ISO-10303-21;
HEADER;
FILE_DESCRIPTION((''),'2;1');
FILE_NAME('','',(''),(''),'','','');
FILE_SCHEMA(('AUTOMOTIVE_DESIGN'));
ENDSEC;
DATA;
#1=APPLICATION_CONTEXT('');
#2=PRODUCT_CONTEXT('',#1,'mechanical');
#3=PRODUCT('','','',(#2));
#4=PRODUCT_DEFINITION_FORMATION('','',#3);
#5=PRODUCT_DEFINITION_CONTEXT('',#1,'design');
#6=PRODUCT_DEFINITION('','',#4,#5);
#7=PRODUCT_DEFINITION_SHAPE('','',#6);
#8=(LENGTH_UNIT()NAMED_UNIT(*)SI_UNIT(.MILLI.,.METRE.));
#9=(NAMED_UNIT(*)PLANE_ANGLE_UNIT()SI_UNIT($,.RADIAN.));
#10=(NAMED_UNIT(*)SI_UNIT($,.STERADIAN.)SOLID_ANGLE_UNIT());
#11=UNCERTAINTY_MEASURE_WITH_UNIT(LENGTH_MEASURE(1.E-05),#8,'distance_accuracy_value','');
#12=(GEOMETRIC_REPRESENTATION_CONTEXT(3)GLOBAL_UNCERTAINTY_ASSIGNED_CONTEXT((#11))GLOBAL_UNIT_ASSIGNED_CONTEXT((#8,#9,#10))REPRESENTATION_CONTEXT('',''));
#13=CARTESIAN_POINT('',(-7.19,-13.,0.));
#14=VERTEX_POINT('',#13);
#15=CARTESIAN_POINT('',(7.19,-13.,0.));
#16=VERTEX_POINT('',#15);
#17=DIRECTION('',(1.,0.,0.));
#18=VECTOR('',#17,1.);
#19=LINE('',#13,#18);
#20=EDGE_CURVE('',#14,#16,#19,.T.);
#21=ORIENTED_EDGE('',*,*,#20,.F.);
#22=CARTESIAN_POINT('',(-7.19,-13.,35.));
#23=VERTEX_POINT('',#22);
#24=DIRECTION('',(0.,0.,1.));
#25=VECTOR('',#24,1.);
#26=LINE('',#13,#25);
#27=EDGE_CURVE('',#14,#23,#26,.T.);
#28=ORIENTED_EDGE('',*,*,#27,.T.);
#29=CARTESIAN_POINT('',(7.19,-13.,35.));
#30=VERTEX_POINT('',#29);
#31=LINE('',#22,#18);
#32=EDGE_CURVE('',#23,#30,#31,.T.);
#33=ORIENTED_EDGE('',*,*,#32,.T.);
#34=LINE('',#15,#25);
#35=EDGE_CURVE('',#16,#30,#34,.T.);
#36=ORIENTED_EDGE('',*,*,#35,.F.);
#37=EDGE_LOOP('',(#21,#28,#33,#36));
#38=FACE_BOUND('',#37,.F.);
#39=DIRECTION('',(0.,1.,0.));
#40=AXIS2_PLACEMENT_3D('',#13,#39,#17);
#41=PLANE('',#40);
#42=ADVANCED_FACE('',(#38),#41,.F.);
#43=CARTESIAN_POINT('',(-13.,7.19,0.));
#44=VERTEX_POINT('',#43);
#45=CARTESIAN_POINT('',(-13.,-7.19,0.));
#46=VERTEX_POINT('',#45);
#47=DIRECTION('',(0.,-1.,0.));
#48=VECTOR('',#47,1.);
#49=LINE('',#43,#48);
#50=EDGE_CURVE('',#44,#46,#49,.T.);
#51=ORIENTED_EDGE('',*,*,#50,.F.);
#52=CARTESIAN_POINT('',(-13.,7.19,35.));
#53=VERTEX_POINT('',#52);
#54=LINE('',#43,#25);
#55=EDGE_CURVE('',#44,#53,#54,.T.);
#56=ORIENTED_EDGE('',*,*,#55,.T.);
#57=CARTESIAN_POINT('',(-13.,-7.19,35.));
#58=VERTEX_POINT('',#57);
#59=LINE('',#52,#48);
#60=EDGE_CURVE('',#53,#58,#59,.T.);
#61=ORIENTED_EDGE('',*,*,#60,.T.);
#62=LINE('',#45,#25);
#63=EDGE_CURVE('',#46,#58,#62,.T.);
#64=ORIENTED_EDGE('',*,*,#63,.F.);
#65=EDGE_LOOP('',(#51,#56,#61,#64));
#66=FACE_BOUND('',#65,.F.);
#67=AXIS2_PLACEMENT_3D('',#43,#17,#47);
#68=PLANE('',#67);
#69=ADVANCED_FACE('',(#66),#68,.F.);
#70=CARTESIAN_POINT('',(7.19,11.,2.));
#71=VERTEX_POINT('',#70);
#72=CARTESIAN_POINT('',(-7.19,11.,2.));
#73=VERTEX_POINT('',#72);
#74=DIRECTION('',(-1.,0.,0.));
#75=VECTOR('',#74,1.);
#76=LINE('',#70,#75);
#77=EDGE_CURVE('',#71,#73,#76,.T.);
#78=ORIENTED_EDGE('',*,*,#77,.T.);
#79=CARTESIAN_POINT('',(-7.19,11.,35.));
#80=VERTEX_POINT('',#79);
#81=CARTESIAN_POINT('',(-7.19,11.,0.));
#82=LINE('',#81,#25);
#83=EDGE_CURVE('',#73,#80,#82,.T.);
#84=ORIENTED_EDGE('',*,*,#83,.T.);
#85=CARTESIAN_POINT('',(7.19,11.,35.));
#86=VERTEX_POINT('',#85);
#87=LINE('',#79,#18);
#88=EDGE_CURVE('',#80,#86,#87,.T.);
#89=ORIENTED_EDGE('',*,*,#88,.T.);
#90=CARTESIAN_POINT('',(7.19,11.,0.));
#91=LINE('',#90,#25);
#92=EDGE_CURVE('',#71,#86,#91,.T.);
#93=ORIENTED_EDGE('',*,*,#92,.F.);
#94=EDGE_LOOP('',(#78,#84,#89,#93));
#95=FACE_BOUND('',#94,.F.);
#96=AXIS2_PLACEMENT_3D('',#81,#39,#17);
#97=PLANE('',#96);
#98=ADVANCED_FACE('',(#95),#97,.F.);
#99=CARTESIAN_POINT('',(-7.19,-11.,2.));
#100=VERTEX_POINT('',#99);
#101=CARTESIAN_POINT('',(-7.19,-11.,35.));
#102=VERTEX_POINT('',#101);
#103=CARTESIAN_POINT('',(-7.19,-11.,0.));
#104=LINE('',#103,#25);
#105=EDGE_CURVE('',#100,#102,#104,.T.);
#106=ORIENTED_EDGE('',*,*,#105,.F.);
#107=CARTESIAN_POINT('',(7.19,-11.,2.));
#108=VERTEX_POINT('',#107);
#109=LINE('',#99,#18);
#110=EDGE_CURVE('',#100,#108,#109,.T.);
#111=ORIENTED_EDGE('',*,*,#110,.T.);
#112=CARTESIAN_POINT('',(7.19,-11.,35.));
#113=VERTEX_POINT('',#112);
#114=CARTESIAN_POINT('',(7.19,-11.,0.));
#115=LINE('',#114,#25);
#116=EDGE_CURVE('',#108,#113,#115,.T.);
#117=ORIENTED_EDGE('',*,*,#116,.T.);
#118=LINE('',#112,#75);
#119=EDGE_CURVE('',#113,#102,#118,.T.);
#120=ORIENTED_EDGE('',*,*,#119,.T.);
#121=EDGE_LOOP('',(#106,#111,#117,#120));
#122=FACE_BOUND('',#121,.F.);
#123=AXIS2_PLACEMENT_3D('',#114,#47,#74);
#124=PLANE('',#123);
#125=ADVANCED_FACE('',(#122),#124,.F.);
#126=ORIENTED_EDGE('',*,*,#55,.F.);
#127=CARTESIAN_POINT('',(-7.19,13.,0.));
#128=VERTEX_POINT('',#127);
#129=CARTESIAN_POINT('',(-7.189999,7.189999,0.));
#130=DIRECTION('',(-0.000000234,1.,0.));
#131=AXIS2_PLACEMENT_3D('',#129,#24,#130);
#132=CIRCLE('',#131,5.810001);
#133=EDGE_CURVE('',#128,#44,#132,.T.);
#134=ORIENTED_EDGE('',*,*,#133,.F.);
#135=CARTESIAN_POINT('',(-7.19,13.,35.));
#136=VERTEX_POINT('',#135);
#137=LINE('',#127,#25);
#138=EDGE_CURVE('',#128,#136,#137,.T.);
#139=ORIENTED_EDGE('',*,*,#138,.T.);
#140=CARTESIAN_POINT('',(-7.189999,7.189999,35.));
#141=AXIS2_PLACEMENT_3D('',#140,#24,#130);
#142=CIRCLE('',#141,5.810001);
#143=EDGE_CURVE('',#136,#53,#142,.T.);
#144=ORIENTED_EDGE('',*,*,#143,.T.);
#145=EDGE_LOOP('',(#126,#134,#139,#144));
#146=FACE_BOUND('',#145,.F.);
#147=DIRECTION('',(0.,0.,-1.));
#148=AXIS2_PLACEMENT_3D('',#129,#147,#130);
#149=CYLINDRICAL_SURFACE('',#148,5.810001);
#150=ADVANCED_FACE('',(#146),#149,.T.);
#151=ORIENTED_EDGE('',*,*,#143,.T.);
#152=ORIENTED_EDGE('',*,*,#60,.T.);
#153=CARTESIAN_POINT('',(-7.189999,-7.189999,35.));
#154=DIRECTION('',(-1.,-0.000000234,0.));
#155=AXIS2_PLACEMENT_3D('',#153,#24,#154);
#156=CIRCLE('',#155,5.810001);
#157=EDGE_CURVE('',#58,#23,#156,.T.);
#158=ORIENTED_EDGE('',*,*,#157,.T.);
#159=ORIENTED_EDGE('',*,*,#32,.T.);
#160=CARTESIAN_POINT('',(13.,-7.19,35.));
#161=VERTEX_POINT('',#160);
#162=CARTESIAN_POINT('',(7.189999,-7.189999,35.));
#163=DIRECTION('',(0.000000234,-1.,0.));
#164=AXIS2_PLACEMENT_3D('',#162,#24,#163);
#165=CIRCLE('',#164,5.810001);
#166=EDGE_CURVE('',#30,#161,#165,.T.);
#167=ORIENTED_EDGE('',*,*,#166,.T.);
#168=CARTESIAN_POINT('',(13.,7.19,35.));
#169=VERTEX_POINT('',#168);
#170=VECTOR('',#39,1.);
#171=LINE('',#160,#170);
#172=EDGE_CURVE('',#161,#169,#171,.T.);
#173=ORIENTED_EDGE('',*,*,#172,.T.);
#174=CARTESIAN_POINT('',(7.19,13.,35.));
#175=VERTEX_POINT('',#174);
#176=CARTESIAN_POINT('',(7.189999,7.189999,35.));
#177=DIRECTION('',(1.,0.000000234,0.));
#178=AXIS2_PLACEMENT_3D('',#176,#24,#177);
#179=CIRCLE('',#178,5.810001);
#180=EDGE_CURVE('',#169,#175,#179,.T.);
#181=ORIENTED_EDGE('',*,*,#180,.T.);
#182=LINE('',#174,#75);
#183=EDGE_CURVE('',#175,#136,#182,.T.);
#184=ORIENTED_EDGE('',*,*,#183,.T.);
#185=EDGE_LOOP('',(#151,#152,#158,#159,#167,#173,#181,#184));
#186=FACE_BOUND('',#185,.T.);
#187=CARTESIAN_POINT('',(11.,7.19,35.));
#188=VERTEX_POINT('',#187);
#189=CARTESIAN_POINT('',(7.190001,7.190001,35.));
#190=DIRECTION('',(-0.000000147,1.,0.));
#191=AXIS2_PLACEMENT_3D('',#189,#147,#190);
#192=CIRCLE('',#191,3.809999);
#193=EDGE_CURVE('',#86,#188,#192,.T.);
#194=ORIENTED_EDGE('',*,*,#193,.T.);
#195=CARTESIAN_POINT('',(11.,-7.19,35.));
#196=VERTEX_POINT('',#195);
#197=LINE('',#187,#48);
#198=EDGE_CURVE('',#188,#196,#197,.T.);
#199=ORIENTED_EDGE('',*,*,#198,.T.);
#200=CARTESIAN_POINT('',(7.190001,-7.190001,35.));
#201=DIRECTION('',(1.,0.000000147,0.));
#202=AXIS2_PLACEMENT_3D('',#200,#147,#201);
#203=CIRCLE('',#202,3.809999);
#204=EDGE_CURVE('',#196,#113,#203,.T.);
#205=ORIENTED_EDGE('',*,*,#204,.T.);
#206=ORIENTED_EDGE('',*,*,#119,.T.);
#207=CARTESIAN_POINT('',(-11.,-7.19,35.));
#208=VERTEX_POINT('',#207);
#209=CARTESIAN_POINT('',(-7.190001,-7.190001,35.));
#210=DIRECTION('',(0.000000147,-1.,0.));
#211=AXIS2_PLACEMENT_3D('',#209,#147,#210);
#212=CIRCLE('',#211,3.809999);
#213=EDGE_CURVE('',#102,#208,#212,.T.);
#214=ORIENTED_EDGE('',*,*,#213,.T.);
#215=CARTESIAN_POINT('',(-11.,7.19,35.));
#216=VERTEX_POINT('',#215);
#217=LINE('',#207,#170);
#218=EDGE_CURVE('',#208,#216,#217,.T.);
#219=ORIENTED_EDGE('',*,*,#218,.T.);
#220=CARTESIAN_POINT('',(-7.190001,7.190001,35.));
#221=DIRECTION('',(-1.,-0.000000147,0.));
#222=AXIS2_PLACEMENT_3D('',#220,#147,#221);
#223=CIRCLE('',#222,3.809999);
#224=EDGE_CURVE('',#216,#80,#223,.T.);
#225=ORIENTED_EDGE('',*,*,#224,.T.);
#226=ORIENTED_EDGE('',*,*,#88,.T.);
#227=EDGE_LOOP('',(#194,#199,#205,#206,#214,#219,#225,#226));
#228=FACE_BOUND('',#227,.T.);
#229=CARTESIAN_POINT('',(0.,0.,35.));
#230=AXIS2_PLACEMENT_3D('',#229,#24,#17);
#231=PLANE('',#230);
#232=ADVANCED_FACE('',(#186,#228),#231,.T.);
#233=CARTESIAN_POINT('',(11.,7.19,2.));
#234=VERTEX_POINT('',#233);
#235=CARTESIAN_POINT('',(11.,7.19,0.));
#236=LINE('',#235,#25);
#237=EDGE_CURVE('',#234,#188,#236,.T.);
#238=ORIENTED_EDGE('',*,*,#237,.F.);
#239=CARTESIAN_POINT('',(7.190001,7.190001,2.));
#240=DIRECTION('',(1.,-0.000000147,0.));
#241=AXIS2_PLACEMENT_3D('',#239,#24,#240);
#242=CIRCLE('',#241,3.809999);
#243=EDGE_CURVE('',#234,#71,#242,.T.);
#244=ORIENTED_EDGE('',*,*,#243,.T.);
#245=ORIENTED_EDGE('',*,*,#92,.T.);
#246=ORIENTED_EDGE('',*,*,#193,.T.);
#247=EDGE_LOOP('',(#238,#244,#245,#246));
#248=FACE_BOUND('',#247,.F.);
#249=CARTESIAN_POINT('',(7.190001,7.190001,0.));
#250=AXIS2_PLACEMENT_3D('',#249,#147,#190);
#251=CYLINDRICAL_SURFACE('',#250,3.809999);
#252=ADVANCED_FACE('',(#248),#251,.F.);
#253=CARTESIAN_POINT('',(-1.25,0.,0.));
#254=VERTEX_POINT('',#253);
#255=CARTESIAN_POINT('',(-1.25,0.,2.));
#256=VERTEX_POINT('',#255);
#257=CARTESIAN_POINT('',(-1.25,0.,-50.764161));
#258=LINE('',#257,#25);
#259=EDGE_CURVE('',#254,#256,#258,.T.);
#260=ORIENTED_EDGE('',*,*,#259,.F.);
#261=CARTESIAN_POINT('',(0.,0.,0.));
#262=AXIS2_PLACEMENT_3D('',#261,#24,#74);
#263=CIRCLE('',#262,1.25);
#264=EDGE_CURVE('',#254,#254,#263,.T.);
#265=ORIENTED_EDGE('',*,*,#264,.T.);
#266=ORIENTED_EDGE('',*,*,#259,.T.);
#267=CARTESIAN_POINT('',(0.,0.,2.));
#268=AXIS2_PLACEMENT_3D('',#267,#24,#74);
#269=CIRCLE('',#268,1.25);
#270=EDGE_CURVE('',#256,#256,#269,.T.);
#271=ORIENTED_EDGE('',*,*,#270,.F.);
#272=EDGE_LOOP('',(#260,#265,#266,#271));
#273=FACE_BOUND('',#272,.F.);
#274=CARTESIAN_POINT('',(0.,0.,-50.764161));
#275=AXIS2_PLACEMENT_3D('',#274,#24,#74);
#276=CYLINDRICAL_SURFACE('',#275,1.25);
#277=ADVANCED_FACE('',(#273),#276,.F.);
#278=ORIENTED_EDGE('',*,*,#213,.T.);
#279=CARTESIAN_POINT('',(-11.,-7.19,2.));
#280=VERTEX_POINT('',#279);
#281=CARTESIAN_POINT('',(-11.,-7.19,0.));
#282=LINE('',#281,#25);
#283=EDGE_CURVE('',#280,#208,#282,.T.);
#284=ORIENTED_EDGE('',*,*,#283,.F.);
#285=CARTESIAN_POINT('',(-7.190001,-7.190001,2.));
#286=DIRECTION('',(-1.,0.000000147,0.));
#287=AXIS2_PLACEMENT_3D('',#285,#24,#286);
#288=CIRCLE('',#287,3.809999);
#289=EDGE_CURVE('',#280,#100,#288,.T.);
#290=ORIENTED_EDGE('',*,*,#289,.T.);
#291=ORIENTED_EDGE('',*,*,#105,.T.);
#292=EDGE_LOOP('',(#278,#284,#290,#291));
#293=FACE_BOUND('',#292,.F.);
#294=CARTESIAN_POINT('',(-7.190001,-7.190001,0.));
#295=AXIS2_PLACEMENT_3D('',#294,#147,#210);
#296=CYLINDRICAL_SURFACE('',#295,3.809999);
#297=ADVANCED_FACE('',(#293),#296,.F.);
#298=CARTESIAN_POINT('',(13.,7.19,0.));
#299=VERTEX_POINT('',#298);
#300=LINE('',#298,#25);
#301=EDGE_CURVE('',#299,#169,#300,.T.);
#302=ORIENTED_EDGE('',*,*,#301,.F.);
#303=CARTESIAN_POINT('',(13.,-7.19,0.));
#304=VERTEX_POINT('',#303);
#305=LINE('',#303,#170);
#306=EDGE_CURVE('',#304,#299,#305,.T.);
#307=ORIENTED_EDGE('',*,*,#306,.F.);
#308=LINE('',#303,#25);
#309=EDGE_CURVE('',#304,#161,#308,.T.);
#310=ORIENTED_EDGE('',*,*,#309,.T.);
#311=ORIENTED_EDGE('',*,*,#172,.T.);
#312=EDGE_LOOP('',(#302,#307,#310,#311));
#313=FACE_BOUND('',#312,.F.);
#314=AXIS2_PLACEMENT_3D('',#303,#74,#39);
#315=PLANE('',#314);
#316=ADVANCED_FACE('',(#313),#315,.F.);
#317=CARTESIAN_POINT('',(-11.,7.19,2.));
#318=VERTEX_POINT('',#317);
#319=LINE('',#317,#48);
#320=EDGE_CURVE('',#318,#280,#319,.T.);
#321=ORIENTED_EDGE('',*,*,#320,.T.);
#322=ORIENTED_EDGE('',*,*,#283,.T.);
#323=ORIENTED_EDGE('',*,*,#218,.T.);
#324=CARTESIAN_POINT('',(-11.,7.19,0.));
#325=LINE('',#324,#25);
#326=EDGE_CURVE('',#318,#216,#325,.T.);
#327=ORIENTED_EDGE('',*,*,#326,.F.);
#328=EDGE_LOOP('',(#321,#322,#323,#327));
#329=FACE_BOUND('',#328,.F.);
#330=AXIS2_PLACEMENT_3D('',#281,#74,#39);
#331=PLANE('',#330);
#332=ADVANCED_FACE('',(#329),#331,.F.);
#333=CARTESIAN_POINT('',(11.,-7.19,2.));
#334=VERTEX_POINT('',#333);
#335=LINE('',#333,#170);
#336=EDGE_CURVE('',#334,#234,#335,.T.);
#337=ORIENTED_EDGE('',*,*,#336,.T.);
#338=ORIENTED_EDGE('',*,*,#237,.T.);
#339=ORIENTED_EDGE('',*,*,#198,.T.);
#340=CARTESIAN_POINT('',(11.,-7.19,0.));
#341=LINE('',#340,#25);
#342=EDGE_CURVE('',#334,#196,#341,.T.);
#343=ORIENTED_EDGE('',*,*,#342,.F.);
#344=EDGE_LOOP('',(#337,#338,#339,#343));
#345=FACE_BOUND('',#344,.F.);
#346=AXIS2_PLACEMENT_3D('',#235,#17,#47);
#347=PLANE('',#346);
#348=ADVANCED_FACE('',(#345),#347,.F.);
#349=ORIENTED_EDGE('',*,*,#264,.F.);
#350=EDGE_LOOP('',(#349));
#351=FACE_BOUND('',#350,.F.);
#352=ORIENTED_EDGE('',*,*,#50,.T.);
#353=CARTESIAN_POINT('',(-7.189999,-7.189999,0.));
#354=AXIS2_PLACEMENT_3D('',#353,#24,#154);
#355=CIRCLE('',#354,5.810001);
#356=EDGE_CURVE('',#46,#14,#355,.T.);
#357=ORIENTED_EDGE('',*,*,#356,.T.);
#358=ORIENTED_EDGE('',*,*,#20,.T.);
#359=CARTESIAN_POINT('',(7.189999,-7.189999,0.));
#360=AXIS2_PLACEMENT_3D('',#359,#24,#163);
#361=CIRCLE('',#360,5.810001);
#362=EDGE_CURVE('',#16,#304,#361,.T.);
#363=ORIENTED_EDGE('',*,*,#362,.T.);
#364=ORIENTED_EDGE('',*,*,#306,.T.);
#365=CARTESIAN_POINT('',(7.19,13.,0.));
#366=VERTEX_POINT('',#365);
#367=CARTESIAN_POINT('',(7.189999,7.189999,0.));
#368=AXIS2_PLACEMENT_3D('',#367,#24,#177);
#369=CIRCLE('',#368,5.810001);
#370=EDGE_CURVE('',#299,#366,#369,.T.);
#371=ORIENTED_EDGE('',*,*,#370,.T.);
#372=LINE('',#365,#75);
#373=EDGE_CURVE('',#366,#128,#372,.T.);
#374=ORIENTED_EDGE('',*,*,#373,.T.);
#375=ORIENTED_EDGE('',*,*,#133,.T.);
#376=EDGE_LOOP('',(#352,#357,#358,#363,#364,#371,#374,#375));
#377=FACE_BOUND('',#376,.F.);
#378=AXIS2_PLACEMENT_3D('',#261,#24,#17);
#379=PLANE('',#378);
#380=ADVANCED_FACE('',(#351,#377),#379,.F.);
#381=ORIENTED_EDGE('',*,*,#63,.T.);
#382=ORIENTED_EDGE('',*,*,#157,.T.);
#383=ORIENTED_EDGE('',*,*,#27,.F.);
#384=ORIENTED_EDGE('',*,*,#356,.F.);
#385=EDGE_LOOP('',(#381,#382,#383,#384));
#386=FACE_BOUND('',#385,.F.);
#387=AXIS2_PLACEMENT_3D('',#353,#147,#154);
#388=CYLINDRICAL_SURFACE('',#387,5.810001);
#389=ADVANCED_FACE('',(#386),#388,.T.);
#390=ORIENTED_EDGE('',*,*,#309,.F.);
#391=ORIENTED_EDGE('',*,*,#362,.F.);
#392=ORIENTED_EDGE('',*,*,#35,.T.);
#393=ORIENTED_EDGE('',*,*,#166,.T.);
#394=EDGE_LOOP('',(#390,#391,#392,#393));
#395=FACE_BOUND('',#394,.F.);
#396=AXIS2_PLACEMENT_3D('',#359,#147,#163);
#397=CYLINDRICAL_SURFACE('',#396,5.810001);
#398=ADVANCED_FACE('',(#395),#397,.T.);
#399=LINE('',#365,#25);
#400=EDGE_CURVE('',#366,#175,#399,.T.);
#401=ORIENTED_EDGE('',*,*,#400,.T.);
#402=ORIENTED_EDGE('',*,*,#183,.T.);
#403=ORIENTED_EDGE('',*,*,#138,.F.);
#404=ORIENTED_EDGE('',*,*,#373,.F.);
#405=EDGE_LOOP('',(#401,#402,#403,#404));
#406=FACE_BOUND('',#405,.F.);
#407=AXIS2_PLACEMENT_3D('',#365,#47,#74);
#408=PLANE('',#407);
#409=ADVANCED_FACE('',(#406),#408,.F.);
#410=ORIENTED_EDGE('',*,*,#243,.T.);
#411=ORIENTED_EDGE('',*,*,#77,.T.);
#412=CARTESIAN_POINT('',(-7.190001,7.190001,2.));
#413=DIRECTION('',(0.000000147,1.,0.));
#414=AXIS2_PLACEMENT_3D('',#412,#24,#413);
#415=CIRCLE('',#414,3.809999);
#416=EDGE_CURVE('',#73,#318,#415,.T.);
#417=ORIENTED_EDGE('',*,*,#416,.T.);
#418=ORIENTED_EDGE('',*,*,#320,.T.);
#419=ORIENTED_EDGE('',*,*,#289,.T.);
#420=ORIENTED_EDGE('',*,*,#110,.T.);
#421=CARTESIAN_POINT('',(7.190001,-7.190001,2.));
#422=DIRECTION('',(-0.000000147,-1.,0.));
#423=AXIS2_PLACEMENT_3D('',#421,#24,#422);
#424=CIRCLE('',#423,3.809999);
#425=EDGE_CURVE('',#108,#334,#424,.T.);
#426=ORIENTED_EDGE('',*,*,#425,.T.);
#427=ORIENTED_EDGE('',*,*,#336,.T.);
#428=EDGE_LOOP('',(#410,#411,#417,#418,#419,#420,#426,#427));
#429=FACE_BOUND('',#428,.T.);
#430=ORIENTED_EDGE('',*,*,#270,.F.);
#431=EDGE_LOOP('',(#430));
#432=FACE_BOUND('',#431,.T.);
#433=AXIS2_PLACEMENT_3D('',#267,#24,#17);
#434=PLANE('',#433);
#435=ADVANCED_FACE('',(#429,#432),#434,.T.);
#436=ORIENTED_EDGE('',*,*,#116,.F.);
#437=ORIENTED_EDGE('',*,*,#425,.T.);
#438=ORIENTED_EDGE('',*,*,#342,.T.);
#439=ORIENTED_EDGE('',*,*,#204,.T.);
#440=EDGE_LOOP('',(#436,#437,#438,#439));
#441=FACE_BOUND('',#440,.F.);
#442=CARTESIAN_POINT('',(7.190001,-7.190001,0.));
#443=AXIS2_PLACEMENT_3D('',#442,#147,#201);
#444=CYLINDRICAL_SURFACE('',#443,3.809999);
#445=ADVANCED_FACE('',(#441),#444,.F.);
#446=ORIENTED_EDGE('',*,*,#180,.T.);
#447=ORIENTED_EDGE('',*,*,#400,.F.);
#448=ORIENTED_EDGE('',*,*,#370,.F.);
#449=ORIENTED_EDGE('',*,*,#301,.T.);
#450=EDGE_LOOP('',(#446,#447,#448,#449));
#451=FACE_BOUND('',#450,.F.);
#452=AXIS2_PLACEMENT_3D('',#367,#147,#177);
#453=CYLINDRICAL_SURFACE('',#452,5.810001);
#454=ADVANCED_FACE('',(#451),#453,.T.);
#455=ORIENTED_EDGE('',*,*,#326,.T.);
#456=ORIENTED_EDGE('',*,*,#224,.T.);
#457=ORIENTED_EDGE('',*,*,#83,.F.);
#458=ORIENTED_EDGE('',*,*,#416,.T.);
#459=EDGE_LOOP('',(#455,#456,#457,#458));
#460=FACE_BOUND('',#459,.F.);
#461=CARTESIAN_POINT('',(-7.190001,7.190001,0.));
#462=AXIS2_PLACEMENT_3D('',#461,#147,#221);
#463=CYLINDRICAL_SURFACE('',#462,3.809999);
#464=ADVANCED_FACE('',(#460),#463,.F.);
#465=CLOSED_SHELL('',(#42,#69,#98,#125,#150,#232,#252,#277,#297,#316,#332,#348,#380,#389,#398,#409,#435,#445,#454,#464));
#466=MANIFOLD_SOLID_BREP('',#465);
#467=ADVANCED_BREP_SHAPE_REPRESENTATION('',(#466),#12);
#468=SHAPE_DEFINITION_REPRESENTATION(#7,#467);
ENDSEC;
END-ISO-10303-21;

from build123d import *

# Parameters (mm, degrees)
F1_DEPTH = 35
F2_DEPTH = 2
F3_D     = 2.5


with BuildPart() as f1:
    # F0 (on Top) → F1 (new body)
    with BuildSketch(Plane.XY):
        with BuildLine():
            Line((13, -7.19), (13, 7.19))
            ThreePointArc((13, 7.19), (11.29829, 11.29829), (7.19, 13))
            Line((7.19, 13), (-7.19, 13))
            ThreePointArc((-7.19, 13), (-11.29829, 11.29829), (-13, 7.19))
            Line((-13, 7.19), (-13, -7.19))
            ThreePointArc((-13, -7.19), (-11.29829, -11.29829), (-7.19, -13))
            Line((-7.19, -13), (7.19, -13))
            ThreePointArc((7.19, -13), (11.29829, -11.29829), (13, -7.19))
        make_face()
        with BuildLine():
            ThreePointArc((-11, 7.19), (-9.884077, 9.884077), (-7.19, 11))
            Line((-7.19, 11), (7.19, 11))
            ThreePointArc((7.19, 11), (9.884077, 9.884077), (11, 7.19))
            Line((11, 7.19), (11, -7.19))
            ThreePointArc((11, -7.19), (9.884077, -9.884077), (7.19, -11))
            Line((7.19, -11), (-7.19, -11))
            ThreePointArc((-7.19, -11), (-9.884077, -9.884077), (-11, -7.19))
            Line((-11, -7.19), (-11, 7.19))
        make_face(mode=Mode.SUBTRACT)
    extrude(amount=F1_DEPTH)

    # F0 (on Top) → F2 (join)
    with BuildSketch(Plane.XY):
        with BuildLine():
            Line((7.19, 11), (-7.19, 11))
            ThreePointArc((-7.19, 11), (-9.884077, 9.884077), (-11, 7.19))
            Line((-11, 7.19), (-11, -7.19))
            ThreePointArc((-11, -7.19), (-9.884077, -9.884077), (-7.19, -11))
            Line((-7.19, -11), (7.19, -11))
            ThreePointArc((7.19, -11), (9.884077, -9.884077), (11, -7.19))
            Line((11, -7.19), (11, 7.19))
            ThreePointArc((11, 7.19), (9.884077, 9.884077), (7.19, 11))
        make_face()
    extrude(amount=F2_DEPTH)

    # F3 (through all)
    with Locations(Plane(origin=(0, 0, 0), x_dir=(1, 0, 0), z_dir=(0, 0, -1))):
        with Locations((0, 0)):
            Hole(F3_D / 2)


solid = f1.part
